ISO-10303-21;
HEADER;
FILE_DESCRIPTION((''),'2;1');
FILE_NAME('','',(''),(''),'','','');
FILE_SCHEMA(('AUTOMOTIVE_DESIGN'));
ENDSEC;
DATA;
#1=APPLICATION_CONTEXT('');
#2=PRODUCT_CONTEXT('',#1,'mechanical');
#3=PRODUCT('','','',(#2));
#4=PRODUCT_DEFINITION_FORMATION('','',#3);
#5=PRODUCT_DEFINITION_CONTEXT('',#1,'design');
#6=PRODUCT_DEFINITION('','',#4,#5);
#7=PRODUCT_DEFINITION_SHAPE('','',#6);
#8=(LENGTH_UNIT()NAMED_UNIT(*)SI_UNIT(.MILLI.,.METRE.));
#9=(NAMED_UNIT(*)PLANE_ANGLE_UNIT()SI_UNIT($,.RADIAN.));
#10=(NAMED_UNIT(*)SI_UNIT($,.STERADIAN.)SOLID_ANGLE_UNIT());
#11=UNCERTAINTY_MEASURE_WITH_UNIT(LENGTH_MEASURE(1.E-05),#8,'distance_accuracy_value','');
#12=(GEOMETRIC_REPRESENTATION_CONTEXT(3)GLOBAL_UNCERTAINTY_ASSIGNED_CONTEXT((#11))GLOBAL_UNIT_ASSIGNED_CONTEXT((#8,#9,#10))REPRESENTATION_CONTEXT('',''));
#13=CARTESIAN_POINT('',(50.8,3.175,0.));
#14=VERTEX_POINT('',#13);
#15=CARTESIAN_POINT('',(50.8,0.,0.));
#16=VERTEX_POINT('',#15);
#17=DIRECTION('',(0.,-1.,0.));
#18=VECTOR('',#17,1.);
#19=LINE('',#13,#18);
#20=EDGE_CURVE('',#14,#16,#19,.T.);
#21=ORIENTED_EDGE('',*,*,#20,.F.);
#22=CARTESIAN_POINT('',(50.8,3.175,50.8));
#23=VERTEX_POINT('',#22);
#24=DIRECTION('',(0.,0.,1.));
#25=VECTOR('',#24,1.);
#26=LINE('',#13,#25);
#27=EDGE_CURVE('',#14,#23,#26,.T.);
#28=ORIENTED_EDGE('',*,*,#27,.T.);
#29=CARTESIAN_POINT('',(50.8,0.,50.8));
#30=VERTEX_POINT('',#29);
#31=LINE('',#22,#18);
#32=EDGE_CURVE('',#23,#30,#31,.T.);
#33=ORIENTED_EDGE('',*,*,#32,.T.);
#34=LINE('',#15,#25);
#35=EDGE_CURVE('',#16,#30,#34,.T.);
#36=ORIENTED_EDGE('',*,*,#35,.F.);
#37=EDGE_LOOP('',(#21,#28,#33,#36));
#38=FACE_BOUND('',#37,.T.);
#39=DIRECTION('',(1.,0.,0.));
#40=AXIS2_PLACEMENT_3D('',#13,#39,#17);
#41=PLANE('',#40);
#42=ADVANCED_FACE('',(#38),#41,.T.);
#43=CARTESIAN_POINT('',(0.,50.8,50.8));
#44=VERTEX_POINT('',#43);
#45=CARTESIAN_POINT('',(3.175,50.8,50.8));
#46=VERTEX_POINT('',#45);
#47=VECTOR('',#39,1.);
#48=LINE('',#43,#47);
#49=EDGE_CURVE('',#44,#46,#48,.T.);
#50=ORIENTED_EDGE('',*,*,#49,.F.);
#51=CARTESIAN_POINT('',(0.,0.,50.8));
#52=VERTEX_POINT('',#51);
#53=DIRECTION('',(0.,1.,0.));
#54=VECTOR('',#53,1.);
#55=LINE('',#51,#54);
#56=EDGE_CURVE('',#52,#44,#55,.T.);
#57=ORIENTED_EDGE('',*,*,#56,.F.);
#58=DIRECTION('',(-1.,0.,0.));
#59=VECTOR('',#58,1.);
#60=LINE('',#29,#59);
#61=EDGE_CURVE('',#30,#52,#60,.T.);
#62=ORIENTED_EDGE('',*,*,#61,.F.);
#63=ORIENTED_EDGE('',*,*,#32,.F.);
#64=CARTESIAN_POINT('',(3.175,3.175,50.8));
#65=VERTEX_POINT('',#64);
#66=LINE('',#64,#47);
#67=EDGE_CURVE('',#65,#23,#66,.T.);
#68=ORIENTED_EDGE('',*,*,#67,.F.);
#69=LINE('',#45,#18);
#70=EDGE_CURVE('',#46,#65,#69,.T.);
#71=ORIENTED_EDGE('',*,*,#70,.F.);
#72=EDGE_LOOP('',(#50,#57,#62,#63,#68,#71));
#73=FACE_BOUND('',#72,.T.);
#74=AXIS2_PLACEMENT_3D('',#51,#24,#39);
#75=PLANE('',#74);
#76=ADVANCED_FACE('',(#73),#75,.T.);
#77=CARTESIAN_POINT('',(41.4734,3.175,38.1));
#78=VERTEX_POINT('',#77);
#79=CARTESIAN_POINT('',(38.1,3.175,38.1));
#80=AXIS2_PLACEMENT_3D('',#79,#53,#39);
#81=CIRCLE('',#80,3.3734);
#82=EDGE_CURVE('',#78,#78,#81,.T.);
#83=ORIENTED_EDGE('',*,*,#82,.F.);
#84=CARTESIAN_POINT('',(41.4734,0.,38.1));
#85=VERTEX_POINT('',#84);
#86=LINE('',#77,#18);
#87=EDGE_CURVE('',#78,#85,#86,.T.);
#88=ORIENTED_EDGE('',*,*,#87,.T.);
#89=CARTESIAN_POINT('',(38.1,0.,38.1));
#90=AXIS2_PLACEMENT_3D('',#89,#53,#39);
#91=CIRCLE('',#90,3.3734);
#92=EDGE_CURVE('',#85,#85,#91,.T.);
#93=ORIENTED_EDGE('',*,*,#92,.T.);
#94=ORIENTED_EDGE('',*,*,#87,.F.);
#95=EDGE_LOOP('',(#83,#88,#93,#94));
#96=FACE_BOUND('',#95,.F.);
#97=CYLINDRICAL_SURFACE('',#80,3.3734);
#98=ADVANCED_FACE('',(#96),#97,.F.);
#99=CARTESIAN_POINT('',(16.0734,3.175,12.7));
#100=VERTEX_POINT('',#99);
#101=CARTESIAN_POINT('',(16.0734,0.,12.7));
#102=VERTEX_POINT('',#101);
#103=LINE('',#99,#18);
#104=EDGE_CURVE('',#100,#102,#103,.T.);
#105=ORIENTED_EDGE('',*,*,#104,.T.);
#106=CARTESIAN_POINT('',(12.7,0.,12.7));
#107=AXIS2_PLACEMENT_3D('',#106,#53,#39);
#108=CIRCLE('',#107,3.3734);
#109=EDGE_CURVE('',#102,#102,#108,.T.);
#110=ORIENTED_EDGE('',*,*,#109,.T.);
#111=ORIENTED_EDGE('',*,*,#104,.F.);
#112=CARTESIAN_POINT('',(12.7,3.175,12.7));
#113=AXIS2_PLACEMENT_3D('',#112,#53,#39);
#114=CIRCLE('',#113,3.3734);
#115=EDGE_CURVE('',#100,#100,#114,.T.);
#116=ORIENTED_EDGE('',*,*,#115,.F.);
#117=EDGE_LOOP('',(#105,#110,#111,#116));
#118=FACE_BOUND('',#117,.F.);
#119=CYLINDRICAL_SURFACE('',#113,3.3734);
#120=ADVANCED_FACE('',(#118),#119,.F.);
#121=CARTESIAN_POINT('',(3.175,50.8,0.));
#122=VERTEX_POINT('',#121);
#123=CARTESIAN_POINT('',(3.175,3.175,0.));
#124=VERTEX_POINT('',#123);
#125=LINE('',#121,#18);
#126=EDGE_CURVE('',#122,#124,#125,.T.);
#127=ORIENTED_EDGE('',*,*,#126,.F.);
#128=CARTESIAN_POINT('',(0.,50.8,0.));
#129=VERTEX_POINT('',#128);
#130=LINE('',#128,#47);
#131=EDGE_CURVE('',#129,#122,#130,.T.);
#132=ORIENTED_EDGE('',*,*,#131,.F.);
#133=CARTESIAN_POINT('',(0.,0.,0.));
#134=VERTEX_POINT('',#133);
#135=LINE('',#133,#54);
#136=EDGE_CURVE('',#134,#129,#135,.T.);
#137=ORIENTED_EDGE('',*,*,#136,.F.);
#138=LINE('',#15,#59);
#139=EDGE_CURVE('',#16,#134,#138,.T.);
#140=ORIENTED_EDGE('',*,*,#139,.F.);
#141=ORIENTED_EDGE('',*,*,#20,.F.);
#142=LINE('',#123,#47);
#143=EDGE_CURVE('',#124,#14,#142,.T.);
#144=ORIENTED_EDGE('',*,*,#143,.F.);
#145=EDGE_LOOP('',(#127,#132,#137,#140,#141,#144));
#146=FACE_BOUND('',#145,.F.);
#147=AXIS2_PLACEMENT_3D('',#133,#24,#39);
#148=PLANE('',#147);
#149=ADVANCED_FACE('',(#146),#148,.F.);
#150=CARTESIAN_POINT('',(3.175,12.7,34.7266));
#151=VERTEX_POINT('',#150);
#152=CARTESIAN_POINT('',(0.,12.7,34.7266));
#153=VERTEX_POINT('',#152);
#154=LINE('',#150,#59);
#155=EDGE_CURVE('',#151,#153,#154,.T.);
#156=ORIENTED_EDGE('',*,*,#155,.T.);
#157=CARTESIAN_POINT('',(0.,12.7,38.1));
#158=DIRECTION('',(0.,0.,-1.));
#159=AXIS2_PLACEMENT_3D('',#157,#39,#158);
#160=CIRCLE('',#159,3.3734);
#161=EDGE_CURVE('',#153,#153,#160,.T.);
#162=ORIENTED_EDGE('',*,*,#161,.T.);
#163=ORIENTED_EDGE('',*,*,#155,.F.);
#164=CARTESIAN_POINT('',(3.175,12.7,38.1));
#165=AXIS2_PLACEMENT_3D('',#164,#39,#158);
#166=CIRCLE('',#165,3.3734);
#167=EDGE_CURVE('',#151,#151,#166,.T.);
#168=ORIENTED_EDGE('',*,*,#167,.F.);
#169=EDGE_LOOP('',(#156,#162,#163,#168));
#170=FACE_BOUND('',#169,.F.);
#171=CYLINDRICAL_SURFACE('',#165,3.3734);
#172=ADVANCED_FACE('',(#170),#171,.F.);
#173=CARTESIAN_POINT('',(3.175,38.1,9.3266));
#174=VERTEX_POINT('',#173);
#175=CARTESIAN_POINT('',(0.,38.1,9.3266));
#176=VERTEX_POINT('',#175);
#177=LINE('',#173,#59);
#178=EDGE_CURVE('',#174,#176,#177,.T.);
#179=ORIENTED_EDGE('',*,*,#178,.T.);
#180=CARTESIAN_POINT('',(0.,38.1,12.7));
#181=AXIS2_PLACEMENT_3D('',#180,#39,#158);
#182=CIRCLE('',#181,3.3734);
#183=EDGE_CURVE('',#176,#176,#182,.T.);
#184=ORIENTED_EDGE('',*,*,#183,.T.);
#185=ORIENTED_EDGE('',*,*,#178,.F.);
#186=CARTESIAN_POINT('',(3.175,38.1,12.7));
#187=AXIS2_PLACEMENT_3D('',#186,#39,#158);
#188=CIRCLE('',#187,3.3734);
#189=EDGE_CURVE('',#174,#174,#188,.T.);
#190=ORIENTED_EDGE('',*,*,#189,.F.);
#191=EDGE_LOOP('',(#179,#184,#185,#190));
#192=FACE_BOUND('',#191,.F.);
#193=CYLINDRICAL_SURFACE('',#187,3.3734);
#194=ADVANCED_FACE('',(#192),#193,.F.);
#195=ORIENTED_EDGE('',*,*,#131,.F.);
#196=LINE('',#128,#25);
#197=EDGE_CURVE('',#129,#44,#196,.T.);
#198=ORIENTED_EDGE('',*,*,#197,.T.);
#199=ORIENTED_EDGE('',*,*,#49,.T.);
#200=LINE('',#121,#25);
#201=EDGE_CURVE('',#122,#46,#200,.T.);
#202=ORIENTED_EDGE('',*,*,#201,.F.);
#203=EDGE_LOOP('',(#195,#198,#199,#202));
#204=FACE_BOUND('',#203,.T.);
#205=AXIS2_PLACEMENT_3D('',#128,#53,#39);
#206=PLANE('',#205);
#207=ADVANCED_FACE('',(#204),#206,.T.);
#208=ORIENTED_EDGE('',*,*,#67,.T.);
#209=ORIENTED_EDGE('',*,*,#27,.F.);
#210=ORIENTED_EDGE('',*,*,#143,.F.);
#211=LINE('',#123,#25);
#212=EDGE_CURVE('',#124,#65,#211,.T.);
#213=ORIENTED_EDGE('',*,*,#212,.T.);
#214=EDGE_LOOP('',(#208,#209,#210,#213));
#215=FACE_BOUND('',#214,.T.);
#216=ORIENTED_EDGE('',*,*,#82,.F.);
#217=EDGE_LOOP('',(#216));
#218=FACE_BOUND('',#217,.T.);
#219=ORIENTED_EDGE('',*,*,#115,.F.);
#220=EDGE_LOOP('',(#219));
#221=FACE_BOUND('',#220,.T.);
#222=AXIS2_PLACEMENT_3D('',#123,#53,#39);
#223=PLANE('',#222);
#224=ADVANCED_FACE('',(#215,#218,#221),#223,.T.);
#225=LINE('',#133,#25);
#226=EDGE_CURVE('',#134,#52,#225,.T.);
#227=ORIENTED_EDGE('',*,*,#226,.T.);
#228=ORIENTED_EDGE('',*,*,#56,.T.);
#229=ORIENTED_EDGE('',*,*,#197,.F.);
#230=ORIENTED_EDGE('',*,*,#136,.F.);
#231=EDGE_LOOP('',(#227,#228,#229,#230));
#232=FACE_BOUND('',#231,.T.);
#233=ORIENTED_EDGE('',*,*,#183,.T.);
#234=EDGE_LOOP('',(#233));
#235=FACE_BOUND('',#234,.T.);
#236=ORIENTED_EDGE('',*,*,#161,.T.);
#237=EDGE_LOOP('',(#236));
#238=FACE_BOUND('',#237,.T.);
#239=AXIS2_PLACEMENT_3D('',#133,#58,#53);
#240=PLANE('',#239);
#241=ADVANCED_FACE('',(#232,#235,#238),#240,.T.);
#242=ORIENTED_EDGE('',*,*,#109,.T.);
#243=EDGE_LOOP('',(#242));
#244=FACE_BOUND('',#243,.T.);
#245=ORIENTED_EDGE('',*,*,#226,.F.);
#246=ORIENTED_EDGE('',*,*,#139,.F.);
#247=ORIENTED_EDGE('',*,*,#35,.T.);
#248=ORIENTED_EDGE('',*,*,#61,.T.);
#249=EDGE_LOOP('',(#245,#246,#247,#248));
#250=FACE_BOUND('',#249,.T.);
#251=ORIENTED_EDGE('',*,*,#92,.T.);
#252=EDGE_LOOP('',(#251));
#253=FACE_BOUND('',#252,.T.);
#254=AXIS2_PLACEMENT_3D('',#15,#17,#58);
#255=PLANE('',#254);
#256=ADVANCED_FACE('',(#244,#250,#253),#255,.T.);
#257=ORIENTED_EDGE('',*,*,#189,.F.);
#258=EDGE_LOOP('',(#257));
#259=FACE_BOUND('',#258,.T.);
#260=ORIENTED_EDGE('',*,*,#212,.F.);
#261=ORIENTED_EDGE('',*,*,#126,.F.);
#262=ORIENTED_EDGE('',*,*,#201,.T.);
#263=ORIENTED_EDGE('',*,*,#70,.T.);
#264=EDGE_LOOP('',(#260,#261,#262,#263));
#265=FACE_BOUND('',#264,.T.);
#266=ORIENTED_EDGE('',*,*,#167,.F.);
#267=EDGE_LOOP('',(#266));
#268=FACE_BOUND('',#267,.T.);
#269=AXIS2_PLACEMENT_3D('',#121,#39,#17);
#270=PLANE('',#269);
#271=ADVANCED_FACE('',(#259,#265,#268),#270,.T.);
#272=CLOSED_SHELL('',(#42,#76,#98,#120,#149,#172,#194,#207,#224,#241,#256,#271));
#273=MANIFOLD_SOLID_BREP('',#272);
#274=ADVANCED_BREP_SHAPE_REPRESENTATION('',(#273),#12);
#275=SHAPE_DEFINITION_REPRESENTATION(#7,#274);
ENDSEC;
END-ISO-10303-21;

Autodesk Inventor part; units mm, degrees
ref_plane "YZ Plane" through (0, 0, 0) normal (1, 0, 0) x (0, 1, 0)
ref_plane "XZ Plane" through (0, 0, 0) normal (0, 1, 0) x (-1, 0, 0)
ref_plane "XY Plane" through (0, 0, 0) normal (0, 0, 1) x (1, 0, 0)
sketch "Sketch1" plane through (0, 0, 0) normal (0, 0, 1) x (1, 0, 0)
  line L0 (0, 0) -> (0, 50.8)
  line L1 (0, 50.8) -> (3.175, 50.8)
  line L2 (3.175, 50.8) -> (3.175, 3.175)
  line L3 (3.175, 3.175) -> (50.8, 3.175)
  line L4 (50.8, 3.175) -> (50.8, 0)
  line L5 (50.8, 0) -> (0, 0)
  dimension "d0" = 50.8
  dimension "d1" = 3.175
  dimension "d2" = 47.625
  dimension "d3" = 47.625
extrude "Extrusion1" add sketch "Sketch1" along normal blind 50.8
sketch "Sketch2" plane through (3.175, 3.175, 0) normal (0, 1, 0) x (1, 0, 0)
  line L0 (47.625, 0) -> (47.625, -50.8) projected
  line L1 (47.625, 0) -> (-3.175, 0) projected
  line L2 (0, 0) -> (0, -50.8) projected
  line L3 (47.625, -25.4) -> (47.625, 0)
  line L4 (22.225, 0) -> (47.625, 0)
  circle A0 centre (34.925, -38.1) radius 3.3734
  circle A1 centre (9.525, -12.7) radius 3.3734
  line L5 (47.625, -50.8) -> (0, -50.8) projected
  dimension "d6" = 22.225
  dimension "d7" = 6.7469
  dimension "d8" = 6.7469
  dimension "d9" = 12.7
  dimension "d10" = 12.7
  dimension "d11" = 38.1
  dimension "d12" = 38.1
sketch "Sketch3" plane through (3.175, 3.175, 0) normal (1, 0, 0) x (0, 0, -1)
  circle A0 centre (-38.1, 9.525) radius 3.3734
  circle A1 centre (-12.7, 34.925) radius 3.3734
  line L0 (0, 47.625) -> (-50.8, 47.625) projected
  line L1 (0, 47.625) -> (0, 0) projected
  line L2 (0, -3.175) -> (-50.8, -3.175) projected
  line L3 (-50.8, 0) -> (-50.8, 47.625) projected
  point P0 (-25.4, -3.175)
  dimension "d15" = 6.7469
  dimension "d16" = 6.7469
  dimension "d17" = 12.7
  dimension "d18" = 12.7
  dimension "d19" = 12.7
  dimension "d20" = 12.7
extrude "Extrusion3" cut sketch "Sketch3" against normal blind 3.175
extrude "Extrusion4" cut sketch "Sketch2" against normal blind 3.175 contours A0 | A1
properties part number "angle gusset 2" material "Aluminum 6061"
